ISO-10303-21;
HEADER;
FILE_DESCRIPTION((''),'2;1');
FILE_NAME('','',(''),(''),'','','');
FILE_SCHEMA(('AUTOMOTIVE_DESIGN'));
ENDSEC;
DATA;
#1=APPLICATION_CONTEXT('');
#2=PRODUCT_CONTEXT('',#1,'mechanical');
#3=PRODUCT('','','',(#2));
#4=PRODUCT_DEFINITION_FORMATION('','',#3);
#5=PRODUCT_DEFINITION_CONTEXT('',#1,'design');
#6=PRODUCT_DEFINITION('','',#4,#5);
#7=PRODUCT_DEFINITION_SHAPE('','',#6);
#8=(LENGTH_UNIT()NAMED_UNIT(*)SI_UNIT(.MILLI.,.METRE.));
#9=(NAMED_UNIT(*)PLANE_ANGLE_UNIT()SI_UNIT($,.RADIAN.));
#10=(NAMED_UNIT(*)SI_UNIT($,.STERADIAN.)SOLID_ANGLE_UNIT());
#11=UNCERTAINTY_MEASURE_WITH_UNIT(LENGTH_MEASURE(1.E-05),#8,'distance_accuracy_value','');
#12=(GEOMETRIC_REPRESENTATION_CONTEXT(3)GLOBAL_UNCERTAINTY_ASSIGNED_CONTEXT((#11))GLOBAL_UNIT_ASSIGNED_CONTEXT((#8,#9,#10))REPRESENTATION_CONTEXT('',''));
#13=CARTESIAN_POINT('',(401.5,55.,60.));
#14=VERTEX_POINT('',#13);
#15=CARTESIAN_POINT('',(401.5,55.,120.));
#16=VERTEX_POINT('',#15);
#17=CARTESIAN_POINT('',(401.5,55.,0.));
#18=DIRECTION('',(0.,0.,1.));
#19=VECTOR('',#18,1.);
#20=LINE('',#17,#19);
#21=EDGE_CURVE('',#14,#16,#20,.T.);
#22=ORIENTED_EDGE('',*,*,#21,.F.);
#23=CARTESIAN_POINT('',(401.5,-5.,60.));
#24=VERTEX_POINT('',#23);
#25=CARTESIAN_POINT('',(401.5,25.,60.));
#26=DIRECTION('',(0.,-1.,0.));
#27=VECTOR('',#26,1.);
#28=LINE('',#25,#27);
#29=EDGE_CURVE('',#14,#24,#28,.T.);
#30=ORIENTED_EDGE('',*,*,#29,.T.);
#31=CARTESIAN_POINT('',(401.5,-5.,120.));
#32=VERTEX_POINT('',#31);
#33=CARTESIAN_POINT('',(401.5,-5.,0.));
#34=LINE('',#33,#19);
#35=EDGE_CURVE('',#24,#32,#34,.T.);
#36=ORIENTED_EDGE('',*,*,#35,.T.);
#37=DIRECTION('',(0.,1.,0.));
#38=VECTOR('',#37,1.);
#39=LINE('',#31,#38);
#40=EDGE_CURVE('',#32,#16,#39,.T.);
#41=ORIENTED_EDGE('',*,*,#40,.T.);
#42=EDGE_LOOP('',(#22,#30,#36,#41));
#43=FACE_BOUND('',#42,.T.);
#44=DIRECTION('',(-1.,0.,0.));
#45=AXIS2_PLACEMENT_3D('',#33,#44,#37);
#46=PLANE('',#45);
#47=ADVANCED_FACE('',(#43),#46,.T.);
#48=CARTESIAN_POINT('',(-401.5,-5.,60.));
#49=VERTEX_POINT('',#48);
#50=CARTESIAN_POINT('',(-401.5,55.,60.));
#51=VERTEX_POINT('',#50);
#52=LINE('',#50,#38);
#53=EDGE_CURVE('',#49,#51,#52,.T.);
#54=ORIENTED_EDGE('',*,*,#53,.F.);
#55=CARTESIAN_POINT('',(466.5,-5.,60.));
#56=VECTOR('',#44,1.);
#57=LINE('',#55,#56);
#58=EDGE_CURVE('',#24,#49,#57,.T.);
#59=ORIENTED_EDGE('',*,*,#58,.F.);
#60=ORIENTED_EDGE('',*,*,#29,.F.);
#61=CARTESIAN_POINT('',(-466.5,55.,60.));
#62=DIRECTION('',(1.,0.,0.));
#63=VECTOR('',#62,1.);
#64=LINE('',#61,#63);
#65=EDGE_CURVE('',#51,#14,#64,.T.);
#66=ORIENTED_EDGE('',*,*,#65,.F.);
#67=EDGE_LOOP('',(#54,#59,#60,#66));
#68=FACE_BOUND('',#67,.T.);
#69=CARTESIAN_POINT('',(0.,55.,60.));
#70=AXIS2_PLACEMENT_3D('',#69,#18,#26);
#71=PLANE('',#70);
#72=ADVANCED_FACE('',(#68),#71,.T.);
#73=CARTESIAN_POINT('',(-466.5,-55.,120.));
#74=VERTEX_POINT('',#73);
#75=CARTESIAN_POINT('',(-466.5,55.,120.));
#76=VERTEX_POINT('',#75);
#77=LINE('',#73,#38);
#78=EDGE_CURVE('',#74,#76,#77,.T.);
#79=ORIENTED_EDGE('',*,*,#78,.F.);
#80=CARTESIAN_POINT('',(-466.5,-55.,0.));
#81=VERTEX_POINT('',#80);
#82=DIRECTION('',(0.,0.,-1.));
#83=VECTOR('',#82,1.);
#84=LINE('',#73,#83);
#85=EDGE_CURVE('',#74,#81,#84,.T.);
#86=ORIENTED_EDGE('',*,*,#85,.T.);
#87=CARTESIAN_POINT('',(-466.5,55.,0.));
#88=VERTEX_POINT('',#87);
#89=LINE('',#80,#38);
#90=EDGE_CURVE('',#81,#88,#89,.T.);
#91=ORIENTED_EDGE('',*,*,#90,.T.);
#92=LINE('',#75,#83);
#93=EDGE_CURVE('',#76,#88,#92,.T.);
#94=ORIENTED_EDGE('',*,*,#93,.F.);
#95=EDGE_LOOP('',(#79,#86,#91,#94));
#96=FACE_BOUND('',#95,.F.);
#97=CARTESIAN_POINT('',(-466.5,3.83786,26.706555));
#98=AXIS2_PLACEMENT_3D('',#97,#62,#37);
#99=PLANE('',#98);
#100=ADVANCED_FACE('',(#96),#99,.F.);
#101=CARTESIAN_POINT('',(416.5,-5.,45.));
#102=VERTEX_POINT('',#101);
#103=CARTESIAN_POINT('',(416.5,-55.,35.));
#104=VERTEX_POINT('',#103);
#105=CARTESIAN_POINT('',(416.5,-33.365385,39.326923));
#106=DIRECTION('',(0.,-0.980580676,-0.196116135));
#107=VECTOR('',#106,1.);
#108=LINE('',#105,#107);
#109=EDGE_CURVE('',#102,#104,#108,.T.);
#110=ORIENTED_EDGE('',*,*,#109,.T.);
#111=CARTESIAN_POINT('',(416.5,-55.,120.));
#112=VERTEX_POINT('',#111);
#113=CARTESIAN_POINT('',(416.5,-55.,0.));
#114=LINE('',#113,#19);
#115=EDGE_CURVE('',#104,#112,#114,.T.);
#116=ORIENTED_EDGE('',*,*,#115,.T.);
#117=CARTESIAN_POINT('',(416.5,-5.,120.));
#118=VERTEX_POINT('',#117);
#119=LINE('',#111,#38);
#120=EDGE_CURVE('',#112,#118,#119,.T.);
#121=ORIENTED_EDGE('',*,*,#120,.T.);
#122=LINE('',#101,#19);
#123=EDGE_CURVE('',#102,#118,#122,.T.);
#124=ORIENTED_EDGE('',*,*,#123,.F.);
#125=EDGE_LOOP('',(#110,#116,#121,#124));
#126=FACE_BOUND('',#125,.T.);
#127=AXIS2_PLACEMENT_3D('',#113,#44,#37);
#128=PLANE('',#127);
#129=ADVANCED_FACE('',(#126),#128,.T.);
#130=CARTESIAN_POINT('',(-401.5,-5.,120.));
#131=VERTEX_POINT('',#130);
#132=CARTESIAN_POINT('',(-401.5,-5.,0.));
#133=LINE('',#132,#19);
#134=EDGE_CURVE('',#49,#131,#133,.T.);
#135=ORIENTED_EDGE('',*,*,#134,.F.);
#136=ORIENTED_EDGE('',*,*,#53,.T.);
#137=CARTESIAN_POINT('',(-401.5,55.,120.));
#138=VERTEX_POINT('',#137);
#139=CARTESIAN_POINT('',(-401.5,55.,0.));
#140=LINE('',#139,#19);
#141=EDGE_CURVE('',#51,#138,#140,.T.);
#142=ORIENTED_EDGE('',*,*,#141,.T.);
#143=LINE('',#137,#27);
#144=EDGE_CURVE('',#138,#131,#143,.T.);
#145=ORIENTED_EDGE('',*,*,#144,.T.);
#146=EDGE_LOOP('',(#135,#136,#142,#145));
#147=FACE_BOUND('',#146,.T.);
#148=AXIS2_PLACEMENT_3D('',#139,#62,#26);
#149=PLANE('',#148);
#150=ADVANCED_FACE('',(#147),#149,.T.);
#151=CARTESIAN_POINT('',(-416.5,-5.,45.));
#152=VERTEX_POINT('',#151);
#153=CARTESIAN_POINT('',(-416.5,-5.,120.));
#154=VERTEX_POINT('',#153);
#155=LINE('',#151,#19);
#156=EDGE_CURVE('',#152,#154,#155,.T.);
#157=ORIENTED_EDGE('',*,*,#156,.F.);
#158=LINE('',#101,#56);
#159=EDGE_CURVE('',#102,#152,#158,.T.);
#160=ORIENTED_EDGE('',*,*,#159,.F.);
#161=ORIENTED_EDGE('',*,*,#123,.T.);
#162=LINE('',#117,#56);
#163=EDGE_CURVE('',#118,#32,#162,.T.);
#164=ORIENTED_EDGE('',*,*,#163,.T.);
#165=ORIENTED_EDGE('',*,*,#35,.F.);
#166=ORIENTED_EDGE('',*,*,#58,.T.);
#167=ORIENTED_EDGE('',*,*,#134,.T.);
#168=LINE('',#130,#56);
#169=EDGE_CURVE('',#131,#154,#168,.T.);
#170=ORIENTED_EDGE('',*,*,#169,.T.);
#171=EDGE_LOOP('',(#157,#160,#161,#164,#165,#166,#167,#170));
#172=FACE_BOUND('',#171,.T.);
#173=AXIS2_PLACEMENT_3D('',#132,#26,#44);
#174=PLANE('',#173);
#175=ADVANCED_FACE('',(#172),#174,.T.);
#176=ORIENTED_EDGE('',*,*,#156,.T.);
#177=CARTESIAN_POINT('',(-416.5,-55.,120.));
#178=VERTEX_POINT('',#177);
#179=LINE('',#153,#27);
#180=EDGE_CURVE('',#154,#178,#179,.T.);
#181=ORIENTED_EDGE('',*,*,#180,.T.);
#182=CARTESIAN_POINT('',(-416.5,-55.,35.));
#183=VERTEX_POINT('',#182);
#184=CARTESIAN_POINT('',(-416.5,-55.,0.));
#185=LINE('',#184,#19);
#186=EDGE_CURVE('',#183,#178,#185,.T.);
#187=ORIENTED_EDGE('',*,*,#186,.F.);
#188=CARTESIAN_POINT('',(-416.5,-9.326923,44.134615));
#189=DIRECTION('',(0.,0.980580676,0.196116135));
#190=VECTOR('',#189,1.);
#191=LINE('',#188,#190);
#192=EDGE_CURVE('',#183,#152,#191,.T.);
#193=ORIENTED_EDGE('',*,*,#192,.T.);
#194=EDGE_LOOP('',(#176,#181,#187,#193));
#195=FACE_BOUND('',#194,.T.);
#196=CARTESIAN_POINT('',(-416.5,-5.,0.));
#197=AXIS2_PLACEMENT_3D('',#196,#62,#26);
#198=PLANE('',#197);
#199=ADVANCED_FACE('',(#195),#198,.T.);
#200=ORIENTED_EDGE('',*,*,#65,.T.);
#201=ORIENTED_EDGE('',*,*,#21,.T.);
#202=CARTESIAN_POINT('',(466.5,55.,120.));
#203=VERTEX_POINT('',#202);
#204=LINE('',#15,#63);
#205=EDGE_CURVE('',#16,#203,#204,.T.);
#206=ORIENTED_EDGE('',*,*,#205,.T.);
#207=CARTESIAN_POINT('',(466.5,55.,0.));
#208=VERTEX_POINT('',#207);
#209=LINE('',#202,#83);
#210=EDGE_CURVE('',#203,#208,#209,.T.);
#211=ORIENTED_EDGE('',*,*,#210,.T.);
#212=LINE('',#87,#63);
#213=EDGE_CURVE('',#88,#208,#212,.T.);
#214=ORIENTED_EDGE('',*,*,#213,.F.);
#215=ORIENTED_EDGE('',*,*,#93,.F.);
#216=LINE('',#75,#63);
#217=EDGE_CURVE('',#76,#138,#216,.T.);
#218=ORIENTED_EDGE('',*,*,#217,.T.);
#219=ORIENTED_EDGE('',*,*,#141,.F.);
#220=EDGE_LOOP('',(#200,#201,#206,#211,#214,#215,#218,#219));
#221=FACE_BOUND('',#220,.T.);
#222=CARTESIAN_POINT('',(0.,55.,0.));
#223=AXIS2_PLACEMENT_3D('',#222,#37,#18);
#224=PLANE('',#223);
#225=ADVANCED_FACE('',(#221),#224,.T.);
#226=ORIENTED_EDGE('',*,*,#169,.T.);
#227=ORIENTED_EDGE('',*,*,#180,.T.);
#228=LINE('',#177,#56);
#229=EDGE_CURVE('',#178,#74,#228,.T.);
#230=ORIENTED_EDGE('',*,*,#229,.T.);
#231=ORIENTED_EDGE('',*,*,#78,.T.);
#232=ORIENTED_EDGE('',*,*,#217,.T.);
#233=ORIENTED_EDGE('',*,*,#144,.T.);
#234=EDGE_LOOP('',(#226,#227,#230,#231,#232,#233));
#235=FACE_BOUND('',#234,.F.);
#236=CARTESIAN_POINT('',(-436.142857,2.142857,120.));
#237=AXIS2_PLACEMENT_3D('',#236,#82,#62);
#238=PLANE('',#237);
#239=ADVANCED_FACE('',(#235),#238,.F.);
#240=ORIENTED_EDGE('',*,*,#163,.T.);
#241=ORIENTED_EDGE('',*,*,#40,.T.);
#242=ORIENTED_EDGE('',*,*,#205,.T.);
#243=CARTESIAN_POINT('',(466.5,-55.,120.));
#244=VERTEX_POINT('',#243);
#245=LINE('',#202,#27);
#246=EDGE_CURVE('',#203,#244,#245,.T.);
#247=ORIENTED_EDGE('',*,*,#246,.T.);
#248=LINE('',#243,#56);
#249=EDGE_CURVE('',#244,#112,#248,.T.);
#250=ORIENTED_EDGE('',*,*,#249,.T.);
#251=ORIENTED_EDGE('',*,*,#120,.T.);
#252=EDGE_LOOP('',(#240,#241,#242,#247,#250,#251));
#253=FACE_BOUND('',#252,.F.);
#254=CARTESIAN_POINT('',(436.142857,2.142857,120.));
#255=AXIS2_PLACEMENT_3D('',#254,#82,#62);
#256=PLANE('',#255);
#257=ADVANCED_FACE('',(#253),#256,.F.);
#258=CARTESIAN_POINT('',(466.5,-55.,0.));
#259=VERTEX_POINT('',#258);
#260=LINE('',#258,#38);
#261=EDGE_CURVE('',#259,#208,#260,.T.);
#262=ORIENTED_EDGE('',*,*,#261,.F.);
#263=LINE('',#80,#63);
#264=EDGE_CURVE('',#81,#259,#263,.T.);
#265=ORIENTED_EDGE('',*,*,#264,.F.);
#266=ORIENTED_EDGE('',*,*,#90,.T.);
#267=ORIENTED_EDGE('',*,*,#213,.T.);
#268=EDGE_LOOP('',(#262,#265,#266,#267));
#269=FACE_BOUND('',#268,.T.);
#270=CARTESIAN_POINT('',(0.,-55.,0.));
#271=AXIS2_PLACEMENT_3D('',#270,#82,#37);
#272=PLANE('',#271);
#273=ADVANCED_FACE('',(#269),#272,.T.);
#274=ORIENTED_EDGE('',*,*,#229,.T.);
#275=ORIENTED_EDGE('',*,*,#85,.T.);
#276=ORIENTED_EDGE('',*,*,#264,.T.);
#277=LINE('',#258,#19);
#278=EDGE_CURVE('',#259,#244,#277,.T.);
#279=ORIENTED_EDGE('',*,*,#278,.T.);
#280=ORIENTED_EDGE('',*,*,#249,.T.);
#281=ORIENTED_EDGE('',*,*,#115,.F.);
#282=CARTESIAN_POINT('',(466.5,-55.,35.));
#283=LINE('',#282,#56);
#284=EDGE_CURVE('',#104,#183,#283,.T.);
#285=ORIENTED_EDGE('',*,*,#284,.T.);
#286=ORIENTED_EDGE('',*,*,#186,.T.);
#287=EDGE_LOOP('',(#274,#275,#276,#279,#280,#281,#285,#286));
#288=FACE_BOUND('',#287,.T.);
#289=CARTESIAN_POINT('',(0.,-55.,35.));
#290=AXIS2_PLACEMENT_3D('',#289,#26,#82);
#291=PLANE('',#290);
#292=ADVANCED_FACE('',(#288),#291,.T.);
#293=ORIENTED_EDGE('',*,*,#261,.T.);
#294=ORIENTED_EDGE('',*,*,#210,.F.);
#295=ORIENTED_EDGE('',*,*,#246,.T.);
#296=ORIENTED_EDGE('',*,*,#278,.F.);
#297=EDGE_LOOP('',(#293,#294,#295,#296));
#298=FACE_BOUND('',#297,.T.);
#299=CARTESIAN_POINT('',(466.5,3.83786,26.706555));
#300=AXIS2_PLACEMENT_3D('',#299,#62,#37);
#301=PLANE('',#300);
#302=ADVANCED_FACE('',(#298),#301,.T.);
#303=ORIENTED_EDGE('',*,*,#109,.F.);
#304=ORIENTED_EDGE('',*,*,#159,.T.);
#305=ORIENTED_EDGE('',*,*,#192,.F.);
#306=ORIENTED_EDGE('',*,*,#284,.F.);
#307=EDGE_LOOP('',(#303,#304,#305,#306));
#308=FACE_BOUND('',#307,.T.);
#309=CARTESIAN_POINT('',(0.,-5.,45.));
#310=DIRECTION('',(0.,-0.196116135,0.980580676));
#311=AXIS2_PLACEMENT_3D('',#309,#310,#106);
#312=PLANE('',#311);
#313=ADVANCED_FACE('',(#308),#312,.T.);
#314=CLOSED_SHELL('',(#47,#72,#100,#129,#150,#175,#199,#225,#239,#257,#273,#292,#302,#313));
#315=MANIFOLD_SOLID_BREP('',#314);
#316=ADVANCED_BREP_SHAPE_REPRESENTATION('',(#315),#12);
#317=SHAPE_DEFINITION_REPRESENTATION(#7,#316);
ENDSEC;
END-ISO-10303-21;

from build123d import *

# Parameters (mm, degrees)
F1_DEPTH = 466.5
F3_DEPTH = 120


with BuildPart() as f1:
    # F0 (on Right) → F1 (new body, symmetric)
    with BuildSketch(Plane.YZ):
        Polygon((-55, 35), (-55, 0), (55, 0), (55, 60), (-5, 60), (-5, 45), align=None)
    extrude(amount=F1_DEPTH, both=True)

    # F2 (on face) → F3 (join)
    with BuildSketch(Plane(origin=(0, 0, 0), x_dir=(1, 0, 0), z_dir=(0, 0, -1))):
        Polygon((-416.5, 5), (-416.5, 55), (-466.5, 55), (-466.5, -55), (-401.5, -55), (-401.5, 5), align=None)
        Polygon((466.5, -55), (466.5, 55), (416.5, 55), (416.5, 5), (401.5, 5), (401.5, -55), align=None)
    extrude(amount=-F3_DEPTH)


solid = f1.part
